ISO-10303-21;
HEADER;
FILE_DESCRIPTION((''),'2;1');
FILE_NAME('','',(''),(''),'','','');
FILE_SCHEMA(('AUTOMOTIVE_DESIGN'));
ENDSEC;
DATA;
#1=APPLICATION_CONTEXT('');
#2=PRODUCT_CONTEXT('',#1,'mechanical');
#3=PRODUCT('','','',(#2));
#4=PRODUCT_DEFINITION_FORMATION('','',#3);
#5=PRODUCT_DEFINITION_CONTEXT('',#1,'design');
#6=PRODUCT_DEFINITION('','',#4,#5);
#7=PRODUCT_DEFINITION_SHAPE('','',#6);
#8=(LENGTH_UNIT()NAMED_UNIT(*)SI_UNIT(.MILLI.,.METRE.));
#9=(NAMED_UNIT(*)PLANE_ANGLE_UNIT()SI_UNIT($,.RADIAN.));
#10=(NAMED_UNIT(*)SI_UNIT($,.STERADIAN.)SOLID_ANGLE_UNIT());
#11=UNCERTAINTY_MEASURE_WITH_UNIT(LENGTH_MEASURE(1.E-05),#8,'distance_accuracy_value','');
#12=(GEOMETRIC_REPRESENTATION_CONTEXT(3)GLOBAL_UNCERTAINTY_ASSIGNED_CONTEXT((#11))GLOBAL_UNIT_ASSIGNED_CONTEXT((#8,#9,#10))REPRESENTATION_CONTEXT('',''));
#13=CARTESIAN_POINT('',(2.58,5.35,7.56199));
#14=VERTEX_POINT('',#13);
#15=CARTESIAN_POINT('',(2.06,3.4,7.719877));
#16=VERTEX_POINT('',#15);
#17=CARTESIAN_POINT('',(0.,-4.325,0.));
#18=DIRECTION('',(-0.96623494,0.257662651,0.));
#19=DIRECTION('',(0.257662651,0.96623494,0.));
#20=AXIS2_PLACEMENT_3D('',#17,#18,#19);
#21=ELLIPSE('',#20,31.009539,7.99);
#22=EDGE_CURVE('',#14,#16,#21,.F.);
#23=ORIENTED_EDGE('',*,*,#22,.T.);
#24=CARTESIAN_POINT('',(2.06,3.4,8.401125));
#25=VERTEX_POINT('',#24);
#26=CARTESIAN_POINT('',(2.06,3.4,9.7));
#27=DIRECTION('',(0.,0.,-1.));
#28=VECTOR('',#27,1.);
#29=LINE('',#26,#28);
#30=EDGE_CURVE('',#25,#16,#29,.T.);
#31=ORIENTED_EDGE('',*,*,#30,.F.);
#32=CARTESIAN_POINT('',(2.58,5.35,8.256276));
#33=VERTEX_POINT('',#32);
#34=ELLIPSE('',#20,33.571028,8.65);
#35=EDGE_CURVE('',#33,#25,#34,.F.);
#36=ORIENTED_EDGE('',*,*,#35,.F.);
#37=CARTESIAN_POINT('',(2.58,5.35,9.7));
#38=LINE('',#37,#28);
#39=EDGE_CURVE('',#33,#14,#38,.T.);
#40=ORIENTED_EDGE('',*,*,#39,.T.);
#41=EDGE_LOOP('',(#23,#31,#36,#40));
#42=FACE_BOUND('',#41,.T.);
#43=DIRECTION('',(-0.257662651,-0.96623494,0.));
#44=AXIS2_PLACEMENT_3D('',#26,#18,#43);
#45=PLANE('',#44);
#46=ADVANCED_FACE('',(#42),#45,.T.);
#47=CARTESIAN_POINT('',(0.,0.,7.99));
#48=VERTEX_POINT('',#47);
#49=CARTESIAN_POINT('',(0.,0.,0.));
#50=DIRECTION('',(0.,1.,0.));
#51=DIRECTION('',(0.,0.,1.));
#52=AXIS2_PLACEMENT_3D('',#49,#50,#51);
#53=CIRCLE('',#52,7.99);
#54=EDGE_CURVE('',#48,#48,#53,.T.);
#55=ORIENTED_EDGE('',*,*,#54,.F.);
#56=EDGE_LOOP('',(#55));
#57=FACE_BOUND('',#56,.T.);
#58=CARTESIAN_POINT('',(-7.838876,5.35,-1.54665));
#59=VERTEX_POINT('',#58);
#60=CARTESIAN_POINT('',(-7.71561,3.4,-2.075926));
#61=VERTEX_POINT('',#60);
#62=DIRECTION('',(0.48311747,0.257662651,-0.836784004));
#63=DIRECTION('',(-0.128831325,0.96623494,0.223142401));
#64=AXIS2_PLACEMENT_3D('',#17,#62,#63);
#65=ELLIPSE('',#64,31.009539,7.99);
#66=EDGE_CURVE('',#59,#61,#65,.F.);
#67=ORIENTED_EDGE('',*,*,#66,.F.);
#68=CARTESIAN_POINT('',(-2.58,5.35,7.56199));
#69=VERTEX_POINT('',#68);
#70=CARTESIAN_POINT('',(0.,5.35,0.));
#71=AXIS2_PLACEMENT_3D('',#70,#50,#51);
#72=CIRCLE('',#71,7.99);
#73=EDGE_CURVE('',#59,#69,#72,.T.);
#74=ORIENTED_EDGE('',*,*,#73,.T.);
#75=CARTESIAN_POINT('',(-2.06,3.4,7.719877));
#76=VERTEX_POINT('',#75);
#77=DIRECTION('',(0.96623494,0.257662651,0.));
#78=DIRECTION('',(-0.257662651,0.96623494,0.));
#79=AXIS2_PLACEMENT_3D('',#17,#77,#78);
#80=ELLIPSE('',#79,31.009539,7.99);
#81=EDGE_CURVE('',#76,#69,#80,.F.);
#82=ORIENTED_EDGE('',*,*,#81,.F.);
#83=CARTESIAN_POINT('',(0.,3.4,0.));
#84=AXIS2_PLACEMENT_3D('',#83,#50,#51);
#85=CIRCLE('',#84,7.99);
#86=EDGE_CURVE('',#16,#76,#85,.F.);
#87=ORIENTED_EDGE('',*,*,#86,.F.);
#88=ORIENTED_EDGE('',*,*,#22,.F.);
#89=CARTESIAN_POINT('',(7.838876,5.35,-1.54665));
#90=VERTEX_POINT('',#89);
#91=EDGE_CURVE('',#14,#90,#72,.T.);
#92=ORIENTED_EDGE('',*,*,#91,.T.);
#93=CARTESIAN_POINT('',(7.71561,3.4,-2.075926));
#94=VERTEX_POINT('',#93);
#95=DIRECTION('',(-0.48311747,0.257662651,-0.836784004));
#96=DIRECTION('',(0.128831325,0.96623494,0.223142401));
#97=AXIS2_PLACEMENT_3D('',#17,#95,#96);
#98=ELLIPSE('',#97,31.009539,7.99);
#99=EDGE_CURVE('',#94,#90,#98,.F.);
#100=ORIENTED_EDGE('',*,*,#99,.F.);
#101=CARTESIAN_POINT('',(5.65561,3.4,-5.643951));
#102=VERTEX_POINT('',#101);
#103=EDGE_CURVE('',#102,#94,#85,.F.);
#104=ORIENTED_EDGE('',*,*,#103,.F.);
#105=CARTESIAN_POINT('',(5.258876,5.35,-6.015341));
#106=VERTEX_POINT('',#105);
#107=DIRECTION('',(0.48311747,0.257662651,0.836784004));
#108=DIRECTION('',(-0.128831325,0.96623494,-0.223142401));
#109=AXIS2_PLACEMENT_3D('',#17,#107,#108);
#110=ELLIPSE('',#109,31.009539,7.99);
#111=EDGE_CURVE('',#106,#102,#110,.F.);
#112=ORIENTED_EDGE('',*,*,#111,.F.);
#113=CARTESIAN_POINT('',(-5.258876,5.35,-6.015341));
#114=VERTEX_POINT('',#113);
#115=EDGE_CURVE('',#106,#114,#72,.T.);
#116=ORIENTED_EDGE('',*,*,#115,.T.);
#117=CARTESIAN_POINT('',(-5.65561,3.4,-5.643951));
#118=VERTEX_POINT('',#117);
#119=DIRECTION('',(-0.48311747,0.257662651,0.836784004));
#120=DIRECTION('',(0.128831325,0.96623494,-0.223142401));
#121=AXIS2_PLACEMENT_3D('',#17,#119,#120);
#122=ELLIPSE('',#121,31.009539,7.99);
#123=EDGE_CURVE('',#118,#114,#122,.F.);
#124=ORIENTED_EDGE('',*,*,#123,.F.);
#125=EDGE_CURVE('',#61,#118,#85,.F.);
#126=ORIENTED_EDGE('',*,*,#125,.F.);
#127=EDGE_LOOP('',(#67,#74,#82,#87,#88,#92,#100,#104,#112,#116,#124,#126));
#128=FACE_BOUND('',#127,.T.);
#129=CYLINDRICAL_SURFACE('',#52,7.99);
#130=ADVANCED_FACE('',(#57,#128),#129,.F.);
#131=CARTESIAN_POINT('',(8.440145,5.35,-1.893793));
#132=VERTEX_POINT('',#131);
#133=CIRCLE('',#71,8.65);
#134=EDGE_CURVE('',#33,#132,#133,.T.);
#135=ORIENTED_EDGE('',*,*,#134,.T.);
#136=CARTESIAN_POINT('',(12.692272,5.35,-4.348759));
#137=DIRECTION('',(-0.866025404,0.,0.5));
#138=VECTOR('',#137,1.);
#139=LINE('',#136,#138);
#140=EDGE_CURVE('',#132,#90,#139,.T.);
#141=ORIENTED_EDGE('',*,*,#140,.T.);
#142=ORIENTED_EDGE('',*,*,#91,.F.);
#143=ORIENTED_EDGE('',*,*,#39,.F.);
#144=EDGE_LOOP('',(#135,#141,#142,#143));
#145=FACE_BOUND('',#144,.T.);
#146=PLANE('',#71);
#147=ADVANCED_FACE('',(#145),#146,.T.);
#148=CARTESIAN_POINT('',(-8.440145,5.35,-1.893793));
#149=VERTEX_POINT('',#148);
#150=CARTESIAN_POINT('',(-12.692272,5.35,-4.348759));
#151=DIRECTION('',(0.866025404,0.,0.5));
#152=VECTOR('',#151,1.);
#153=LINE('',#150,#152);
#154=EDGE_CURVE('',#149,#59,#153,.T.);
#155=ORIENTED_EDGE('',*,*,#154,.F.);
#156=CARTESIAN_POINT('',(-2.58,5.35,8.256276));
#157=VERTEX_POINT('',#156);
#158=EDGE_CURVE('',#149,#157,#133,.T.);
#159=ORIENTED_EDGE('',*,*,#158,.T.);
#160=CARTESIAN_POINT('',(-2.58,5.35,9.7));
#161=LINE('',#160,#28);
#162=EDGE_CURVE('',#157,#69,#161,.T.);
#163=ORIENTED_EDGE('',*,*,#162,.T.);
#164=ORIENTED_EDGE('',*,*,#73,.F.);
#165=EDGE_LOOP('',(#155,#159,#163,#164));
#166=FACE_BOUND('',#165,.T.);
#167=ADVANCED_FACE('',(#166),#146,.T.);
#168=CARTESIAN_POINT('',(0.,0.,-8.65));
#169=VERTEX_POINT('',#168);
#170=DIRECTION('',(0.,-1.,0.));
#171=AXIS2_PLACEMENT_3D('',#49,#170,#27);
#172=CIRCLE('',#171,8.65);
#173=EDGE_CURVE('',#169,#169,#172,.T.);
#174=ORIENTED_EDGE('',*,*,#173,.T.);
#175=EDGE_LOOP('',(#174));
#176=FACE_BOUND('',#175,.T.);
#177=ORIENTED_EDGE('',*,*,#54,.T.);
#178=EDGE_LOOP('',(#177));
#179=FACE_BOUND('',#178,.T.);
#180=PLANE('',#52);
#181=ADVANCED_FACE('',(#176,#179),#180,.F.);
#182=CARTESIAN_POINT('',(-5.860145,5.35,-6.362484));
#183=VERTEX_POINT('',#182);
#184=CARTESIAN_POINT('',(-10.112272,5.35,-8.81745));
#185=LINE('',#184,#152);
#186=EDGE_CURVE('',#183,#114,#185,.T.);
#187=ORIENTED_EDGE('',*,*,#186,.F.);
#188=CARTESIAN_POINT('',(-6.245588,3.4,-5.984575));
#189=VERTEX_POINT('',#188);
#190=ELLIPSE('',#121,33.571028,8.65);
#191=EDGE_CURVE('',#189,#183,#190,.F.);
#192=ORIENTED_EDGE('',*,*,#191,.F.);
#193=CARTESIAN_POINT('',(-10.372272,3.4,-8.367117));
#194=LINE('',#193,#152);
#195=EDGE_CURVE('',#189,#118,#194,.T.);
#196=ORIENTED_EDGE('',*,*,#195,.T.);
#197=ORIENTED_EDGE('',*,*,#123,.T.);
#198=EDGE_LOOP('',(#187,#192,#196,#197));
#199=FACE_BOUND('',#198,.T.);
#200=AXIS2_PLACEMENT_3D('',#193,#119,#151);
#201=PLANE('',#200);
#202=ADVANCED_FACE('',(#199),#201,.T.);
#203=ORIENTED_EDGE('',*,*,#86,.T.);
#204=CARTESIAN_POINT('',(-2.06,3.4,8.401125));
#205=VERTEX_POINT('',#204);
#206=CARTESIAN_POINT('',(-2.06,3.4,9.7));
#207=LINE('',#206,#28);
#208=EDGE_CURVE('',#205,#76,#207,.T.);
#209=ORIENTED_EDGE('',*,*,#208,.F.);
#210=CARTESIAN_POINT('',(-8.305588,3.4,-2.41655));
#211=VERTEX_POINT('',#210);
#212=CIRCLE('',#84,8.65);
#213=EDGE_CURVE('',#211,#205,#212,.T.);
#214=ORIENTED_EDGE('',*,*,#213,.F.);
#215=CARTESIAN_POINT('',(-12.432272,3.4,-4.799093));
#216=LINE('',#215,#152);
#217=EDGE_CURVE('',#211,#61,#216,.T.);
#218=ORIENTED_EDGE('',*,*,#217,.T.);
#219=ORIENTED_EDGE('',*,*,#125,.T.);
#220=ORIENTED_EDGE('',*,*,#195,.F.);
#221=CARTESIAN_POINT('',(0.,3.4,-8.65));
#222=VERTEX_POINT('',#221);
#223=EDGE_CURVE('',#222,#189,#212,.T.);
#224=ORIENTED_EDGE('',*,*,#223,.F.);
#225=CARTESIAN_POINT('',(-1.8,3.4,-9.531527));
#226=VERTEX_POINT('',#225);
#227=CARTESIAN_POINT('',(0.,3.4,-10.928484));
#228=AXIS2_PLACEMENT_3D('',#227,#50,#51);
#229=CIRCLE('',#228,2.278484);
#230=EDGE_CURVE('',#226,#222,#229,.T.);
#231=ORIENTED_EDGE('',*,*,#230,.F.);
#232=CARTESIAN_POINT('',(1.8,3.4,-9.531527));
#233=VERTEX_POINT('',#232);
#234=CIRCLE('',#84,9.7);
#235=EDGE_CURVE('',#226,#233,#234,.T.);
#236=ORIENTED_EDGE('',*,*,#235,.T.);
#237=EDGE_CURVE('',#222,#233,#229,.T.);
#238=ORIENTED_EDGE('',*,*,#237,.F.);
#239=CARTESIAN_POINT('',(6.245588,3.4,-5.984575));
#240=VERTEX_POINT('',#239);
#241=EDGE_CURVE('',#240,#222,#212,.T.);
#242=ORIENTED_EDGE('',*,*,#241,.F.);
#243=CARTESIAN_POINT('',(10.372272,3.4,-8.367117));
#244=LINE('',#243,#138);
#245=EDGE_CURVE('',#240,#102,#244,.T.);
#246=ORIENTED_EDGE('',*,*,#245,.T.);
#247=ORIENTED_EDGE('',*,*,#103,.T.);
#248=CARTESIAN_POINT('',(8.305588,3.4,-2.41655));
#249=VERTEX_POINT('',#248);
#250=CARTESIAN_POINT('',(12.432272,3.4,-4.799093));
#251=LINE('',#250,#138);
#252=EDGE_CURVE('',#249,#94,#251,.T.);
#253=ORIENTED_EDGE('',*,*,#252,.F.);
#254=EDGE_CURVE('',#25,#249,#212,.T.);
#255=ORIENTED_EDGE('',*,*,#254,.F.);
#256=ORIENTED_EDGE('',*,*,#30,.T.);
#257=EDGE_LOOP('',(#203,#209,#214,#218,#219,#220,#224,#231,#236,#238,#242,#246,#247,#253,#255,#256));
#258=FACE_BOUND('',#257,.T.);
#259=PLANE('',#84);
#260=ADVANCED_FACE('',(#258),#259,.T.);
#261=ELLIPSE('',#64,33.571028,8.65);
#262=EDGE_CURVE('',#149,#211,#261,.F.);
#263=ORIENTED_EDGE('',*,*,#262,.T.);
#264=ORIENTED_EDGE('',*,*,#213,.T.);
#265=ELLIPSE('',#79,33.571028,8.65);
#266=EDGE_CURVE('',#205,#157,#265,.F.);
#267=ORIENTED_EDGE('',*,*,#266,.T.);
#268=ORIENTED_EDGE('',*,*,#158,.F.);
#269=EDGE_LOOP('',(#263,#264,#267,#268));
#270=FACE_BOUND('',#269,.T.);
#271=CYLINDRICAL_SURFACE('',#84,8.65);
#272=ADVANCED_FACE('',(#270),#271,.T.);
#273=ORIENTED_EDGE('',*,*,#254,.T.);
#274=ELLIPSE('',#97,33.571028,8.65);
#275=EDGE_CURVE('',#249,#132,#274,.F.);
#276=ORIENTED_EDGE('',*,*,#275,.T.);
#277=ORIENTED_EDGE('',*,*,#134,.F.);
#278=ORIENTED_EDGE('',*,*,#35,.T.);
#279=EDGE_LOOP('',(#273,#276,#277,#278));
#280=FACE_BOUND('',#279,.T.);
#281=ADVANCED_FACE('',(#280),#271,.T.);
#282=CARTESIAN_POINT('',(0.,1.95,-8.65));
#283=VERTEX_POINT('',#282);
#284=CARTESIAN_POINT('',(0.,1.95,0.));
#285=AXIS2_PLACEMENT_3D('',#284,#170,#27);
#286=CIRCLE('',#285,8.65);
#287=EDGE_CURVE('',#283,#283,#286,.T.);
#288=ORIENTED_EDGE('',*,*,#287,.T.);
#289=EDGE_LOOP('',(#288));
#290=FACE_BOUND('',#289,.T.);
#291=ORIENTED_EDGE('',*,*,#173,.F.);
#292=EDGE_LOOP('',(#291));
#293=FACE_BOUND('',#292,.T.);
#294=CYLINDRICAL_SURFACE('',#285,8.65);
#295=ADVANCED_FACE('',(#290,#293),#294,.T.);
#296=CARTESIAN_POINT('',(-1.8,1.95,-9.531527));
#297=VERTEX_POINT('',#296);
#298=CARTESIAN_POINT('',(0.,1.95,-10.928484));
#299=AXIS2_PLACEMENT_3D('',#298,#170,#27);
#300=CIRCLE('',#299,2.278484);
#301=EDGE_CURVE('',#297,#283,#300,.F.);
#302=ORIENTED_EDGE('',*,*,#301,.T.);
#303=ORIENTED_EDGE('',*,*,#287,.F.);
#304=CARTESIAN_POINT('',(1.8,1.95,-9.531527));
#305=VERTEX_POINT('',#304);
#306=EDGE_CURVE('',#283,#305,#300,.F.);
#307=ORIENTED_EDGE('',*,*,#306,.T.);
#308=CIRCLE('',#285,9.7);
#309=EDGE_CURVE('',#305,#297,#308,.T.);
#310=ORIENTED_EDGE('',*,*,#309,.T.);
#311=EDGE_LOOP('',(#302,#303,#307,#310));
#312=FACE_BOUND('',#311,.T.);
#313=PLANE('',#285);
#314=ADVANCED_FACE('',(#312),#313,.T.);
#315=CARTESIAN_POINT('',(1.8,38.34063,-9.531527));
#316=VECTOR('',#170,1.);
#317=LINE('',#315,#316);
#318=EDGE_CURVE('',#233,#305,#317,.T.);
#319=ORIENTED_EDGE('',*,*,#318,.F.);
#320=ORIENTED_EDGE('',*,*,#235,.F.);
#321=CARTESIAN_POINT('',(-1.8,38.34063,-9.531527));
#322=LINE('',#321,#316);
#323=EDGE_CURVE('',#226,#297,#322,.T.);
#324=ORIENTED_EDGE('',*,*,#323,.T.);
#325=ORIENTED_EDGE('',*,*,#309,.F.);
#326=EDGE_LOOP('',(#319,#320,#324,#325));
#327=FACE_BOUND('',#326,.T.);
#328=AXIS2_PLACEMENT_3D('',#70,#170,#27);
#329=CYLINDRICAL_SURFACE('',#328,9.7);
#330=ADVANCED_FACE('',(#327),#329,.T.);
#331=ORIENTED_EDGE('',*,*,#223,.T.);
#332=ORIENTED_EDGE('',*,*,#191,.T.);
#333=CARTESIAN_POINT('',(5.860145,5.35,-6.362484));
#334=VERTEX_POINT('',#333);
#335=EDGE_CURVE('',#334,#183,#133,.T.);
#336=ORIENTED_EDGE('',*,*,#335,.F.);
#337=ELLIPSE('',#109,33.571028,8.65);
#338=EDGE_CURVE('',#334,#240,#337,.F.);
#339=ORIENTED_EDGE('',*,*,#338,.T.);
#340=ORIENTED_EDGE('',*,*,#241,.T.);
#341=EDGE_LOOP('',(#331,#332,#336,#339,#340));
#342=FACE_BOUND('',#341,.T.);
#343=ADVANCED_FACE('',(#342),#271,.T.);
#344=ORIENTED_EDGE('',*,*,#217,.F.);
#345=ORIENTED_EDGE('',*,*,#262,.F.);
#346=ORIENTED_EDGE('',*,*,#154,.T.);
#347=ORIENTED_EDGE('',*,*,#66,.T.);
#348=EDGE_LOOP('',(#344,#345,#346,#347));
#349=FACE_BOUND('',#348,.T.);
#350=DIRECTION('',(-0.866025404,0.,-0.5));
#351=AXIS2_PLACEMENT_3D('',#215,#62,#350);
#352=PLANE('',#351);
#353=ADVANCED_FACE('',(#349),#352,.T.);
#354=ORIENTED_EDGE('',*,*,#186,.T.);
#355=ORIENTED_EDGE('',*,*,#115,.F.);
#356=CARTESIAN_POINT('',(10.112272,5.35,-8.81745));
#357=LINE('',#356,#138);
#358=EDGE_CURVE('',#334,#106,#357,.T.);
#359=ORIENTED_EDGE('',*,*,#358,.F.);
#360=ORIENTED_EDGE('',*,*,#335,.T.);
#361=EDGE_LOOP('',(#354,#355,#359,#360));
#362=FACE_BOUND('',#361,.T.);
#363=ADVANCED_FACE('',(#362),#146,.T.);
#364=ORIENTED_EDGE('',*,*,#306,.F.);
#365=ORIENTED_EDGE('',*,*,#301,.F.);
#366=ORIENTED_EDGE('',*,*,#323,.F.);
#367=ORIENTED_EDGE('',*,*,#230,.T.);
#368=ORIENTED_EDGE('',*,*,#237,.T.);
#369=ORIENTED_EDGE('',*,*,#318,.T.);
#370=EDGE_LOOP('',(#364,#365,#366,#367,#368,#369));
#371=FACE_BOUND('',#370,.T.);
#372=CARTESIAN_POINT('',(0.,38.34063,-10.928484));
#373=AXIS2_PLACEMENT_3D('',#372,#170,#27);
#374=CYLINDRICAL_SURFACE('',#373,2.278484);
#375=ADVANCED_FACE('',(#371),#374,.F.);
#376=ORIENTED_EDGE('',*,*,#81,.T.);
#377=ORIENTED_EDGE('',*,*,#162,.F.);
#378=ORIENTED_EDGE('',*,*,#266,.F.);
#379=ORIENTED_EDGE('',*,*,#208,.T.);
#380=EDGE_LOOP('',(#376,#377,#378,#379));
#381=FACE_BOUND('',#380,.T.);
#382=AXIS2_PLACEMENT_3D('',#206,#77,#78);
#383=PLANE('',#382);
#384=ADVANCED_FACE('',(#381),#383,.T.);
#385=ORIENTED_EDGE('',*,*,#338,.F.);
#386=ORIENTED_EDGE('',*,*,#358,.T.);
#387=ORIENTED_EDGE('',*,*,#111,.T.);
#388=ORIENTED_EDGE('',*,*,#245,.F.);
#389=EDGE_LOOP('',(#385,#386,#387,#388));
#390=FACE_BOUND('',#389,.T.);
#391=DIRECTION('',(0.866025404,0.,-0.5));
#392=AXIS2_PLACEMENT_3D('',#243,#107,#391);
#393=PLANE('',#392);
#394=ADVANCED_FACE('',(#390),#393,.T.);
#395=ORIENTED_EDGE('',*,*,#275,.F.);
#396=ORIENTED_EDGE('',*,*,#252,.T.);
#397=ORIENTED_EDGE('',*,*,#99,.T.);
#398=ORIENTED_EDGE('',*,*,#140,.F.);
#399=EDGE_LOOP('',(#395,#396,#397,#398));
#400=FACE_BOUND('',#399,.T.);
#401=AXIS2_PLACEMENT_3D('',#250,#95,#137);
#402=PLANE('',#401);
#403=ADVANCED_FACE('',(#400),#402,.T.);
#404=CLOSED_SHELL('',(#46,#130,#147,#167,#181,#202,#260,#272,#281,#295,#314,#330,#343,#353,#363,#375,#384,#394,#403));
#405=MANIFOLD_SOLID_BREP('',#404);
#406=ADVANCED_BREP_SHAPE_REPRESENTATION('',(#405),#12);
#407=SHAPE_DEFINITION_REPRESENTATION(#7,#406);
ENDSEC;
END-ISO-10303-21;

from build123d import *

# Parameters (mm, degrees)
SKETCH1_R               = 9.7
BOSS_EXTRUDE1_DEPTH     = 5.35
SKETCH2_R               = 9.7
SKETCH2_R_2             = 8.65
CUT_EXTRUDE1_DEPTH      = 1.95
SKETCH3_R               = 9.7
SKETCH3_R_2             = 8.65
CUT_EXTRUDE2_DEPTH      = 1.95
CUT_EXTRUDE3_DEPTH      = 2.95
CUT_EXTRUDE3_DEPTH_BACK = 1.95
SKETCH5_R               = 7.99
CUT_EXTRUDE4_DEPTH      = 6.35
CUT_EXTRUDE5_DEPTH      = 10.7
CIRPATTERN1_COUNT       = 3


with BuildPart() as part:
    # Sketch1 → Boss-Extrude1 (new body)
    with BuildSketch(Plane(origin=(0, 0, 0), x_dir=(1, 0, 0), z_dir=(0, 1, 0))):
        Circle(SKETCH1_R)
    extrude(amount=BOSS_EXTRUDE1_DEPTH)

    # Sketch2 → Cut-Extrude1 (cut)
    with BuildSketch(Plane(origin=(0, 5.35, 0), x_dir=(1, 0, 0), z_dir=(0, 1, 0))):
        Circle(SKETCH2_R)
        Circle(SKETCH2_R_2, mode=Mode.SUBTRACT)
    extrude(amount=-CUT_EXTRUDE1_DEPTH, mode=Mode.SUBTRACT)

    # Sketch3 → Cut-Extrude2 (cut)
    with BuildSketch(Plane.XZ):
        Circle(SKETCH3_R)
        Circle(SKETCH3_R_2, mode=Mode.SUBTRACT)
    extrude(amount=-CUT_EXTRUDE2_DEPTH, mode=Mode.SUBTRACT)

    # Sketch4 → Cut-Extrude3 (cut, two sides)
    with BuildSketch(Plane(origin=(0, 3.4, 0), x_dir=(1, 0, 0), z_dir=(0, 1, 0))) as cut_extrude3_sk:
        with BuildLine():
            Line((-35.407684365, 52.835510073), (-1.8, 9.531526635))
            ThreePointArc((-1.8, 9.531526635), (0, 8.65), (1.8, 9.531526635))
            Line((1.8, 9.531526635), (35.407684365, 52.835510073))
            Line((35.407684365, 52.835510073), (35.407684365, 162.466006376))
            Line((35.407684365, 162.466006376), (-35.407684365, 162.466006376))
            Line((-35.407684365, 162.466006376), (-35.407684365, 52.835510073))
        make_face()
    extrude(amount=CUT_EXTRUDE3_DEPTH, mode=Mode.SUBTRACT)
    extrude(cut_extrude3_sk.sketch, amount=-CUT_EXTRUDE3_DEPTH_BACK, mode=Mode.SUBTRACT)

    # Sketch5 → Cut-Extrude4 (cut, through all)
    with BuildSketch(Plane(origin=(0, 5.35, 0), x_dir=(1, 0, 0), z_dir=(0, 1, 0))):
        Circle(SKETCH5_R)
    extrude(amount=-CUT_EXTRUDE4_DEPTH, mode=Mode.SUBTRACT)

    # Sketch6 → Cut-Extrude5 (cut, through all)
    with BuildSketch(Plane.XY):
        Polygon((0, 3.4), (-2.06, 3.4), (-2.58, 5.35), (0, 5.35), (2.58, 5.35), (2.06, 3.4), align=None)
    cut_extrude5 = extrude(amount=CUT_EXTRUDE5_DEPTH, mode=Mode.SUBTRACT)

    # CirPattern1: Cut-Extrude5 ×3 about axis
    cirpattern1_axis = Axis((0, 0, 0), (0, 1, 0))
    for i in range(1, CIRPATTERN1_COUNT):
        add(cut_extrude5.rotate(cirpattern1_axis, i * 360 / CIRPATTERN1_COUNT), mode=Mode.SUBTRACT)


solid = part.part
